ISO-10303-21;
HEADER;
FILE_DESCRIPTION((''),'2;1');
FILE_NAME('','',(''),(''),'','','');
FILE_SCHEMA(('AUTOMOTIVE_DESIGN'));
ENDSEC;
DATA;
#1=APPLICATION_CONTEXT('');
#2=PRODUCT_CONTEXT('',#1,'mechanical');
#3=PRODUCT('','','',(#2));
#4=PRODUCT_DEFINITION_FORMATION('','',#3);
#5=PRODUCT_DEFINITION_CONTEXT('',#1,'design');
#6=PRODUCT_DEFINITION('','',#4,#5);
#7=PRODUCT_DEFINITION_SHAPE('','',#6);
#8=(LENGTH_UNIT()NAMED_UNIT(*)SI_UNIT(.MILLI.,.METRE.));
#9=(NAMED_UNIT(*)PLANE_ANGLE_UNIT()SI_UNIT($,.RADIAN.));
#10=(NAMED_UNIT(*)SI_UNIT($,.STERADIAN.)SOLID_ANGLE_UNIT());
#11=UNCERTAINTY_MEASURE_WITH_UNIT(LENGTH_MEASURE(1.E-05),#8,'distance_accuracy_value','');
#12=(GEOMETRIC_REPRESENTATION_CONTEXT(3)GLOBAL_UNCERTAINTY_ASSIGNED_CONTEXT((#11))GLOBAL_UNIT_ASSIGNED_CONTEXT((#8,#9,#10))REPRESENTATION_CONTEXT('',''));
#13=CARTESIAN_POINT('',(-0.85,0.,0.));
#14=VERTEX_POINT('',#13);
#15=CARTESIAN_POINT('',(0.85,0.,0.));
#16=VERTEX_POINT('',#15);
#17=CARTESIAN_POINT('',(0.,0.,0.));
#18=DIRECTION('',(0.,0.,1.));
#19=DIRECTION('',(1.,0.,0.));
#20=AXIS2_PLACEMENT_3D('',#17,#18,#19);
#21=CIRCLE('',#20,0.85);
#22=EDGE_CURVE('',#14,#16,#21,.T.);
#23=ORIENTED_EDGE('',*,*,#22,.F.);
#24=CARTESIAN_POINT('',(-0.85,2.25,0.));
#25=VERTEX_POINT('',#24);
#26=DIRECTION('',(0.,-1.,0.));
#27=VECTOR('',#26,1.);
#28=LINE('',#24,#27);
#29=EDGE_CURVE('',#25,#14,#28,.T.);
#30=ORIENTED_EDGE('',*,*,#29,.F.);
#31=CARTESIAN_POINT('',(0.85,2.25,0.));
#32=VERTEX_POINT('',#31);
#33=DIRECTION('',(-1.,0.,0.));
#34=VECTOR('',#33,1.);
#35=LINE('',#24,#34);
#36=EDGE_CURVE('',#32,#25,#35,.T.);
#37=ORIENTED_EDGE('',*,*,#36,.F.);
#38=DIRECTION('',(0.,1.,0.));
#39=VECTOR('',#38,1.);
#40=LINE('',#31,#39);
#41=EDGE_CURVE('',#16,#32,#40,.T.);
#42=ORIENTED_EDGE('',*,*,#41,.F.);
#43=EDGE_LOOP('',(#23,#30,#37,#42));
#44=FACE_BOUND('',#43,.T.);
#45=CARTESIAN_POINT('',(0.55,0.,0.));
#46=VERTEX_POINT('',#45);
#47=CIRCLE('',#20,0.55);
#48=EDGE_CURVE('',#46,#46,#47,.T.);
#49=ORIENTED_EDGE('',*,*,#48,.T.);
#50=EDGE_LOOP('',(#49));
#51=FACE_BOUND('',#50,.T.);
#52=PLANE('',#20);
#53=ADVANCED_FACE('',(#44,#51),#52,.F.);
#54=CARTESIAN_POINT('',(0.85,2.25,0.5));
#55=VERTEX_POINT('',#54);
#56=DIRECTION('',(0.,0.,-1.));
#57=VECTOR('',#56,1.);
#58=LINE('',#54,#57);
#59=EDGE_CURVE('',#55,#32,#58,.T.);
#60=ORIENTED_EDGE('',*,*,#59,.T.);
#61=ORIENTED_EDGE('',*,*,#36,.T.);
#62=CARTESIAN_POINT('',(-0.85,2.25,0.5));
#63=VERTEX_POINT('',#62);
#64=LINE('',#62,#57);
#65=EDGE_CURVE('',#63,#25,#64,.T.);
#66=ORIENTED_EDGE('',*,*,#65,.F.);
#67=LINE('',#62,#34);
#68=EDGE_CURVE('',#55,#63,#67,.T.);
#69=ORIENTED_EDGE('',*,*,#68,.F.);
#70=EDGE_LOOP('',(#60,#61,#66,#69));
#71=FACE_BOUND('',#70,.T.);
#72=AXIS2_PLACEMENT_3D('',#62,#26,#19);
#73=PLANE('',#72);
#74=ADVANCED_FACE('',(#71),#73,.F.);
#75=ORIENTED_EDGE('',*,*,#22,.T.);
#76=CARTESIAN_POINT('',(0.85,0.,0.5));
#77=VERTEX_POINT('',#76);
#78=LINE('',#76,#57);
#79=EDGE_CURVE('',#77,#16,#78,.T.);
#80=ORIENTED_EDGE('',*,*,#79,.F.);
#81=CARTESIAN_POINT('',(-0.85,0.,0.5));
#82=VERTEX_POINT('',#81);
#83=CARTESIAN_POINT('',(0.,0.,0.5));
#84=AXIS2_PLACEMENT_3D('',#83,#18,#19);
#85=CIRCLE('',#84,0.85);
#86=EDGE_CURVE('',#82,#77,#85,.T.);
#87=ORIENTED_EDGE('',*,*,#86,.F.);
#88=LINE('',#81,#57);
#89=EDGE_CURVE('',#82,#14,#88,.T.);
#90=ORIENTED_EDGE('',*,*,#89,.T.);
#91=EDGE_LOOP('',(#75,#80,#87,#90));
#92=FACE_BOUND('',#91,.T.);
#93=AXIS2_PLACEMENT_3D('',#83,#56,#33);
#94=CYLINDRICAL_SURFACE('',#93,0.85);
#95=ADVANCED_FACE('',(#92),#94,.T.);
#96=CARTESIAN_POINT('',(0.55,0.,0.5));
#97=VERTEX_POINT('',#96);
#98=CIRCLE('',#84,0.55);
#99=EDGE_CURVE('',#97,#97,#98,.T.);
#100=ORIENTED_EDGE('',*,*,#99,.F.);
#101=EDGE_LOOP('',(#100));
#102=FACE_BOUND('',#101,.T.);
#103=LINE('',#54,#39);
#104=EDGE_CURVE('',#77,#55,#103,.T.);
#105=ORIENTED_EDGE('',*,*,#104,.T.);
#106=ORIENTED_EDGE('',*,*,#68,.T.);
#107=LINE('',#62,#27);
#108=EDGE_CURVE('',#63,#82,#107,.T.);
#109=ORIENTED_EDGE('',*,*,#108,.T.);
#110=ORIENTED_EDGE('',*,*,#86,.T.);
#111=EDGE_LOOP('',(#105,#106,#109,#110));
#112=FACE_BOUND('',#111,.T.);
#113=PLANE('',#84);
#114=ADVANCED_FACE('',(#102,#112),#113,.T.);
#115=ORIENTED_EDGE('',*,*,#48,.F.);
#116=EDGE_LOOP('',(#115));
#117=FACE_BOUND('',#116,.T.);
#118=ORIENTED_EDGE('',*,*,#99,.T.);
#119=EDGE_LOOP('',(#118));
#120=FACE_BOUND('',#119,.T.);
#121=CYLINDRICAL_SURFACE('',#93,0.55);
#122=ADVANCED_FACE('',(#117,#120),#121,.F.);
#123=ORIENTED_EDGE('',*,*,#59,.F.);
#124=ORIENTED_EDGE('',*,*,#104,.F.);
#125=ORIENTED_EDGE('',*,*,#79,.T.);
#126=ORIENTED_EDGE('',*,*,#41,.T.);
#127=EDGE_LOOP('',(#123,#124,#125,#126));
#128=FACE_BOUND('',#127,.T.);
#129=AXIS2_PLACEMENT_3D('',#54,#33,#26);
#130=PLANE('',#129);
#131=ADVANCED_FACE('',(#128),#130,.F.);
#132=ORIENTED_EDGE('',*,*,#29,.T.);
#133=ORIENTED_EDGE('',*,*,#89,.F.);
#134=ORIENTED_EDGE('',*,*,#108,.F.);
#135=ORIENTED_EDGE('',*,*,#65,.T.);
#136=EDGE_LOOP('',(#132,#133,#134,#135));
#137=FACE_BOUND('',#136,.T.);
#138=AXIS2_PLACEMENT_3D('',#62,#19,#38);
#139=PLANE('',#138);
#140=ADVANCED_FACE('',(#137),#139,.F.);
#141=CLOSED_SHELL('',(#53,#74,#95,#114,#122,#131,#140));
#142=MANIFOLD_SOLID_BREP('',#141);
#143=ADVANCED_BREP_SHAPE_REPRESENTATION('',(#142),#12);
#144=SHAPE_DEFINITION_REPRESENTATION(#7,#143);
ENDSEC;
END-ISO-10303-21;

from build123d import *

# Parameters (mm, degrees)
SKETCH2_R           = 0.55
BOSS_EXTRUDE1_DEPTH = 0.5


with BuildPart() as part:
    # Sketch2 → Boss-Extrude1 (new body)
    with BuildSketch(Plane.XY):
        with BuildLine():
            Line((-0.85, 2.25), (0.85, 2.25))
            Line((0.85, 2.25), (0.85, 0))
            ThreePointArc((0.85, 0), (0, -0.85), (-0.85, 0))
            Line((-0.85, 0), (-0.85, 2.25))
        make_face()
        Circle(SKETCH2_R, mode=Mode.SUBTRACT)
    extrude(amount=BOSS_EXTRUDE1_DEPTH)


solid = part.part
